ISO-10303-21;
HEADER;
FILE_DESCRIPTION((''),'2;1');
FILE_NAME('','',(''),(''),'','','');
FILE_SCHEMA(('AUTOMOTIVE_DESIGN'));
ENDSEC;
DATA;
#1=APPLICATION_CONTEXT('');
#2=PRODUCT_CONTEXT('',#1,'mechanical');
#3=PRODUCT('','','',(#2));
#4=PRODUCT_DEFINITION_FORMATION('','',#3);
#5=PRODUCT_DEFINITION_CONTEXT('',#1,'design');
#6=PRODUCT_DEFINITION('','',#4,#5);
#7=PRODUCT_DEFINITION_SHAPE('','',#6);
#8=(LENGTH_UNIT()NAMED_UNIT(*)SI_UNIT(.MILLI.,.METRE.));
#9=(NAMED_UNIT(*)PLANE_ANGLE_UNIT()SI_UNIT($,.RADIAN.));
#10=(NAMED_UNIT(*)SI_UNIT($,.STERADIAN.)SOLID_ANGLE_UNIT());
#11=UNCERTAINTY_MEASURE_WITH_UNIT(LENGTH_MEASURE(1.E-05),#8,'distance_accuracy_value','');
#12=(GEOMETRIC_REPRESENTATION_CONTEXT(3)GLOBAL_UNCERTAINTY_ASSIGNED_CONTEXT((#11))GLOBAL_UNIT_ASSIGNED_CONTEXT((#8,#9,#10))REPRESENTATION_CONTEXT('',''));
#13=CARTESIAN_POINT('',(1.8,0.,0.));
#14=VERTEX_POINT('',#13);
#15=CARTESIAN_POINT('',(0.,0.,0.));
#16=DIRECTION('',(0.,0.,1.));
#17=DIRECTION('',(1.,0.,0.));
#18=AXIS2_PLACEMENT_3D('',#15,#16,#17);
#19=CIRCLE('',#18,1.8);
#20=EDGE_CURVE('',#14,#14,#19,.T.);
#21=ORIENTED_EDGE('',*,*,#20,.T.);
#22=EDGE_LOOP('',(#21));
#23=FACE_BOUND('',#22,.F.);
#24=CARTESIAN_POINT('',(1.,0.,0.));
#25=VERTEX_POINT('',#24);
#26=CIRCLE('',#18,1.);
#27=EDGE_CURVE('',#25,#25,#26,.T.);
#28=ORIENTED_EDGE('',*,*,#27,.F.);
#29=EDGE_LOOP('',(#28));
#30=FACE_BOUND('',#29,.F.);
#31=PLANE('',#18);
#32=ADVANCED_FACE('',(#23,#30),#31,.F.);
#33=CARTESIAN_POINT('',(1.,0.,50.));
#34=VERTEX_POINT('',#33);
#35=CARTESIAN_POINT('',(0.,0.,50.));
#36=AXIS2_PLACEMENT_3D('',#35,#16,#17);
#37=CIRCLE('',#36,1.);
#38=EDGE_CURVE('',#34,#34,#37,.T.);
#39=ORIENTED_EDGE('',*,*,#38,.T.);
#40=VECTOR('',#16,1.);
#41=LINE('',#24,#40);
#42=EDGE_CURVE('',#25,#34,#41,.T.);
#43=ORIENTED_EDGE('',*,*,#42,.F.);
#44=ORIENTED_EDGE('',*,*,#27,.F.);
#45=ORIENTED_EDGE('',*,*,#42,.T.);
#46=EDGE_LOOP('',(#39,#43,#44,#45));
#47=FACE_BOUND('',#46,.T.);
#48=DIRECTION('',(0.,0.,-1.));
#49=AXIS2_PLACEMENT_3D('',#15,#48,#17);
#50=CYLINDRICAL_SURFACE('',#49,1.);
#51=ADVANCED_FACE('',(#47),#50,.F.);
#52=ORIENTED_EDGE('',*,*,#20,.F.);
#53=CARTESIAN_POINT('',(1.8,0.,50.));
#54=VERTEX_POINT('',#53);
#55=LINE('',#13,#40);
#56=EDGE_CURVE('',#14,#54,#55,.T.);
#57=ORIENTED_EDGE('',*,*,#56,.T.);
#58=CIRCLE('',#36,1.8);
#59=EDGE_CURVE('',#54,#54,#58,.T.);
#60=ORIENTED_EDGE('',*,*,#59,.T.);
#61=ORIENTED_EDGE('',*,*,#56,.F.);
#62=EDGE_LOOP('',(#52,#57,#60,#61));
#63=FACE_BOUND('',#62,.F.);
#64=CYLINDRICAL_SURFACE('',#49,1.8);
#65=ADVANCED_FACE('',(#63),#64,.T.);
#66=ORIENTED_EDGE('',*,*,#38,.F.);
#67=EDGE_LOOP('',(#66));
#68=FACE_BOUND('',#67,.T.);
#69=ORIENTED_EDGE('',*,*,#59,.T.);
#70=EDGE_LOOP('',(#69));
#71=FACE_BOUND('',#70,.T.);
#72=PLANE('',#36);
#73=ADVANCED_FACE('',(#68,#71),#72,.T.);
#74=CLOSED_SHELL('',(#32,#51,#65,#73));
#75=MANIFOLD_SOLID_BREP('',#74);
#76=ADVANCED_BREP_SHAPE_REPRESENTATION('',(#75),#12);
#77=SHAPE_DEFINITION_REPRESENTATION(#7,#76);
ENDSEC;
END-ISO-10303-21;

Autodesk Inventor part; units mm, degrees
ref_plane "YZ Plane" through (0, 0, 0) normal (1, 0, 0) x (0, 1, 0)
ref_plane "XZ Plane" through (0, 0, 0) normal (0, 1, 0) x (-1, 0, 0)
ref_plane "XY Plane" through (0, 0, 0) normal (0, 0, 1) x (1, 0, 0)
sketch "Skizze1" plane through (0, 0, 0) normal (0, 0, 1) x (1, 0, 0)
  circle A0 centre (0, 0) radius 1
  circle A1 centre (0, 0) radius 1.8
  dimension "d0" = 0.8
  dimension "d1" = 2
extrude "Extrusion1" add sketch "Skizze1" along normal blind 50
properties part number "Stewart-Rod-Pipe-Small"
